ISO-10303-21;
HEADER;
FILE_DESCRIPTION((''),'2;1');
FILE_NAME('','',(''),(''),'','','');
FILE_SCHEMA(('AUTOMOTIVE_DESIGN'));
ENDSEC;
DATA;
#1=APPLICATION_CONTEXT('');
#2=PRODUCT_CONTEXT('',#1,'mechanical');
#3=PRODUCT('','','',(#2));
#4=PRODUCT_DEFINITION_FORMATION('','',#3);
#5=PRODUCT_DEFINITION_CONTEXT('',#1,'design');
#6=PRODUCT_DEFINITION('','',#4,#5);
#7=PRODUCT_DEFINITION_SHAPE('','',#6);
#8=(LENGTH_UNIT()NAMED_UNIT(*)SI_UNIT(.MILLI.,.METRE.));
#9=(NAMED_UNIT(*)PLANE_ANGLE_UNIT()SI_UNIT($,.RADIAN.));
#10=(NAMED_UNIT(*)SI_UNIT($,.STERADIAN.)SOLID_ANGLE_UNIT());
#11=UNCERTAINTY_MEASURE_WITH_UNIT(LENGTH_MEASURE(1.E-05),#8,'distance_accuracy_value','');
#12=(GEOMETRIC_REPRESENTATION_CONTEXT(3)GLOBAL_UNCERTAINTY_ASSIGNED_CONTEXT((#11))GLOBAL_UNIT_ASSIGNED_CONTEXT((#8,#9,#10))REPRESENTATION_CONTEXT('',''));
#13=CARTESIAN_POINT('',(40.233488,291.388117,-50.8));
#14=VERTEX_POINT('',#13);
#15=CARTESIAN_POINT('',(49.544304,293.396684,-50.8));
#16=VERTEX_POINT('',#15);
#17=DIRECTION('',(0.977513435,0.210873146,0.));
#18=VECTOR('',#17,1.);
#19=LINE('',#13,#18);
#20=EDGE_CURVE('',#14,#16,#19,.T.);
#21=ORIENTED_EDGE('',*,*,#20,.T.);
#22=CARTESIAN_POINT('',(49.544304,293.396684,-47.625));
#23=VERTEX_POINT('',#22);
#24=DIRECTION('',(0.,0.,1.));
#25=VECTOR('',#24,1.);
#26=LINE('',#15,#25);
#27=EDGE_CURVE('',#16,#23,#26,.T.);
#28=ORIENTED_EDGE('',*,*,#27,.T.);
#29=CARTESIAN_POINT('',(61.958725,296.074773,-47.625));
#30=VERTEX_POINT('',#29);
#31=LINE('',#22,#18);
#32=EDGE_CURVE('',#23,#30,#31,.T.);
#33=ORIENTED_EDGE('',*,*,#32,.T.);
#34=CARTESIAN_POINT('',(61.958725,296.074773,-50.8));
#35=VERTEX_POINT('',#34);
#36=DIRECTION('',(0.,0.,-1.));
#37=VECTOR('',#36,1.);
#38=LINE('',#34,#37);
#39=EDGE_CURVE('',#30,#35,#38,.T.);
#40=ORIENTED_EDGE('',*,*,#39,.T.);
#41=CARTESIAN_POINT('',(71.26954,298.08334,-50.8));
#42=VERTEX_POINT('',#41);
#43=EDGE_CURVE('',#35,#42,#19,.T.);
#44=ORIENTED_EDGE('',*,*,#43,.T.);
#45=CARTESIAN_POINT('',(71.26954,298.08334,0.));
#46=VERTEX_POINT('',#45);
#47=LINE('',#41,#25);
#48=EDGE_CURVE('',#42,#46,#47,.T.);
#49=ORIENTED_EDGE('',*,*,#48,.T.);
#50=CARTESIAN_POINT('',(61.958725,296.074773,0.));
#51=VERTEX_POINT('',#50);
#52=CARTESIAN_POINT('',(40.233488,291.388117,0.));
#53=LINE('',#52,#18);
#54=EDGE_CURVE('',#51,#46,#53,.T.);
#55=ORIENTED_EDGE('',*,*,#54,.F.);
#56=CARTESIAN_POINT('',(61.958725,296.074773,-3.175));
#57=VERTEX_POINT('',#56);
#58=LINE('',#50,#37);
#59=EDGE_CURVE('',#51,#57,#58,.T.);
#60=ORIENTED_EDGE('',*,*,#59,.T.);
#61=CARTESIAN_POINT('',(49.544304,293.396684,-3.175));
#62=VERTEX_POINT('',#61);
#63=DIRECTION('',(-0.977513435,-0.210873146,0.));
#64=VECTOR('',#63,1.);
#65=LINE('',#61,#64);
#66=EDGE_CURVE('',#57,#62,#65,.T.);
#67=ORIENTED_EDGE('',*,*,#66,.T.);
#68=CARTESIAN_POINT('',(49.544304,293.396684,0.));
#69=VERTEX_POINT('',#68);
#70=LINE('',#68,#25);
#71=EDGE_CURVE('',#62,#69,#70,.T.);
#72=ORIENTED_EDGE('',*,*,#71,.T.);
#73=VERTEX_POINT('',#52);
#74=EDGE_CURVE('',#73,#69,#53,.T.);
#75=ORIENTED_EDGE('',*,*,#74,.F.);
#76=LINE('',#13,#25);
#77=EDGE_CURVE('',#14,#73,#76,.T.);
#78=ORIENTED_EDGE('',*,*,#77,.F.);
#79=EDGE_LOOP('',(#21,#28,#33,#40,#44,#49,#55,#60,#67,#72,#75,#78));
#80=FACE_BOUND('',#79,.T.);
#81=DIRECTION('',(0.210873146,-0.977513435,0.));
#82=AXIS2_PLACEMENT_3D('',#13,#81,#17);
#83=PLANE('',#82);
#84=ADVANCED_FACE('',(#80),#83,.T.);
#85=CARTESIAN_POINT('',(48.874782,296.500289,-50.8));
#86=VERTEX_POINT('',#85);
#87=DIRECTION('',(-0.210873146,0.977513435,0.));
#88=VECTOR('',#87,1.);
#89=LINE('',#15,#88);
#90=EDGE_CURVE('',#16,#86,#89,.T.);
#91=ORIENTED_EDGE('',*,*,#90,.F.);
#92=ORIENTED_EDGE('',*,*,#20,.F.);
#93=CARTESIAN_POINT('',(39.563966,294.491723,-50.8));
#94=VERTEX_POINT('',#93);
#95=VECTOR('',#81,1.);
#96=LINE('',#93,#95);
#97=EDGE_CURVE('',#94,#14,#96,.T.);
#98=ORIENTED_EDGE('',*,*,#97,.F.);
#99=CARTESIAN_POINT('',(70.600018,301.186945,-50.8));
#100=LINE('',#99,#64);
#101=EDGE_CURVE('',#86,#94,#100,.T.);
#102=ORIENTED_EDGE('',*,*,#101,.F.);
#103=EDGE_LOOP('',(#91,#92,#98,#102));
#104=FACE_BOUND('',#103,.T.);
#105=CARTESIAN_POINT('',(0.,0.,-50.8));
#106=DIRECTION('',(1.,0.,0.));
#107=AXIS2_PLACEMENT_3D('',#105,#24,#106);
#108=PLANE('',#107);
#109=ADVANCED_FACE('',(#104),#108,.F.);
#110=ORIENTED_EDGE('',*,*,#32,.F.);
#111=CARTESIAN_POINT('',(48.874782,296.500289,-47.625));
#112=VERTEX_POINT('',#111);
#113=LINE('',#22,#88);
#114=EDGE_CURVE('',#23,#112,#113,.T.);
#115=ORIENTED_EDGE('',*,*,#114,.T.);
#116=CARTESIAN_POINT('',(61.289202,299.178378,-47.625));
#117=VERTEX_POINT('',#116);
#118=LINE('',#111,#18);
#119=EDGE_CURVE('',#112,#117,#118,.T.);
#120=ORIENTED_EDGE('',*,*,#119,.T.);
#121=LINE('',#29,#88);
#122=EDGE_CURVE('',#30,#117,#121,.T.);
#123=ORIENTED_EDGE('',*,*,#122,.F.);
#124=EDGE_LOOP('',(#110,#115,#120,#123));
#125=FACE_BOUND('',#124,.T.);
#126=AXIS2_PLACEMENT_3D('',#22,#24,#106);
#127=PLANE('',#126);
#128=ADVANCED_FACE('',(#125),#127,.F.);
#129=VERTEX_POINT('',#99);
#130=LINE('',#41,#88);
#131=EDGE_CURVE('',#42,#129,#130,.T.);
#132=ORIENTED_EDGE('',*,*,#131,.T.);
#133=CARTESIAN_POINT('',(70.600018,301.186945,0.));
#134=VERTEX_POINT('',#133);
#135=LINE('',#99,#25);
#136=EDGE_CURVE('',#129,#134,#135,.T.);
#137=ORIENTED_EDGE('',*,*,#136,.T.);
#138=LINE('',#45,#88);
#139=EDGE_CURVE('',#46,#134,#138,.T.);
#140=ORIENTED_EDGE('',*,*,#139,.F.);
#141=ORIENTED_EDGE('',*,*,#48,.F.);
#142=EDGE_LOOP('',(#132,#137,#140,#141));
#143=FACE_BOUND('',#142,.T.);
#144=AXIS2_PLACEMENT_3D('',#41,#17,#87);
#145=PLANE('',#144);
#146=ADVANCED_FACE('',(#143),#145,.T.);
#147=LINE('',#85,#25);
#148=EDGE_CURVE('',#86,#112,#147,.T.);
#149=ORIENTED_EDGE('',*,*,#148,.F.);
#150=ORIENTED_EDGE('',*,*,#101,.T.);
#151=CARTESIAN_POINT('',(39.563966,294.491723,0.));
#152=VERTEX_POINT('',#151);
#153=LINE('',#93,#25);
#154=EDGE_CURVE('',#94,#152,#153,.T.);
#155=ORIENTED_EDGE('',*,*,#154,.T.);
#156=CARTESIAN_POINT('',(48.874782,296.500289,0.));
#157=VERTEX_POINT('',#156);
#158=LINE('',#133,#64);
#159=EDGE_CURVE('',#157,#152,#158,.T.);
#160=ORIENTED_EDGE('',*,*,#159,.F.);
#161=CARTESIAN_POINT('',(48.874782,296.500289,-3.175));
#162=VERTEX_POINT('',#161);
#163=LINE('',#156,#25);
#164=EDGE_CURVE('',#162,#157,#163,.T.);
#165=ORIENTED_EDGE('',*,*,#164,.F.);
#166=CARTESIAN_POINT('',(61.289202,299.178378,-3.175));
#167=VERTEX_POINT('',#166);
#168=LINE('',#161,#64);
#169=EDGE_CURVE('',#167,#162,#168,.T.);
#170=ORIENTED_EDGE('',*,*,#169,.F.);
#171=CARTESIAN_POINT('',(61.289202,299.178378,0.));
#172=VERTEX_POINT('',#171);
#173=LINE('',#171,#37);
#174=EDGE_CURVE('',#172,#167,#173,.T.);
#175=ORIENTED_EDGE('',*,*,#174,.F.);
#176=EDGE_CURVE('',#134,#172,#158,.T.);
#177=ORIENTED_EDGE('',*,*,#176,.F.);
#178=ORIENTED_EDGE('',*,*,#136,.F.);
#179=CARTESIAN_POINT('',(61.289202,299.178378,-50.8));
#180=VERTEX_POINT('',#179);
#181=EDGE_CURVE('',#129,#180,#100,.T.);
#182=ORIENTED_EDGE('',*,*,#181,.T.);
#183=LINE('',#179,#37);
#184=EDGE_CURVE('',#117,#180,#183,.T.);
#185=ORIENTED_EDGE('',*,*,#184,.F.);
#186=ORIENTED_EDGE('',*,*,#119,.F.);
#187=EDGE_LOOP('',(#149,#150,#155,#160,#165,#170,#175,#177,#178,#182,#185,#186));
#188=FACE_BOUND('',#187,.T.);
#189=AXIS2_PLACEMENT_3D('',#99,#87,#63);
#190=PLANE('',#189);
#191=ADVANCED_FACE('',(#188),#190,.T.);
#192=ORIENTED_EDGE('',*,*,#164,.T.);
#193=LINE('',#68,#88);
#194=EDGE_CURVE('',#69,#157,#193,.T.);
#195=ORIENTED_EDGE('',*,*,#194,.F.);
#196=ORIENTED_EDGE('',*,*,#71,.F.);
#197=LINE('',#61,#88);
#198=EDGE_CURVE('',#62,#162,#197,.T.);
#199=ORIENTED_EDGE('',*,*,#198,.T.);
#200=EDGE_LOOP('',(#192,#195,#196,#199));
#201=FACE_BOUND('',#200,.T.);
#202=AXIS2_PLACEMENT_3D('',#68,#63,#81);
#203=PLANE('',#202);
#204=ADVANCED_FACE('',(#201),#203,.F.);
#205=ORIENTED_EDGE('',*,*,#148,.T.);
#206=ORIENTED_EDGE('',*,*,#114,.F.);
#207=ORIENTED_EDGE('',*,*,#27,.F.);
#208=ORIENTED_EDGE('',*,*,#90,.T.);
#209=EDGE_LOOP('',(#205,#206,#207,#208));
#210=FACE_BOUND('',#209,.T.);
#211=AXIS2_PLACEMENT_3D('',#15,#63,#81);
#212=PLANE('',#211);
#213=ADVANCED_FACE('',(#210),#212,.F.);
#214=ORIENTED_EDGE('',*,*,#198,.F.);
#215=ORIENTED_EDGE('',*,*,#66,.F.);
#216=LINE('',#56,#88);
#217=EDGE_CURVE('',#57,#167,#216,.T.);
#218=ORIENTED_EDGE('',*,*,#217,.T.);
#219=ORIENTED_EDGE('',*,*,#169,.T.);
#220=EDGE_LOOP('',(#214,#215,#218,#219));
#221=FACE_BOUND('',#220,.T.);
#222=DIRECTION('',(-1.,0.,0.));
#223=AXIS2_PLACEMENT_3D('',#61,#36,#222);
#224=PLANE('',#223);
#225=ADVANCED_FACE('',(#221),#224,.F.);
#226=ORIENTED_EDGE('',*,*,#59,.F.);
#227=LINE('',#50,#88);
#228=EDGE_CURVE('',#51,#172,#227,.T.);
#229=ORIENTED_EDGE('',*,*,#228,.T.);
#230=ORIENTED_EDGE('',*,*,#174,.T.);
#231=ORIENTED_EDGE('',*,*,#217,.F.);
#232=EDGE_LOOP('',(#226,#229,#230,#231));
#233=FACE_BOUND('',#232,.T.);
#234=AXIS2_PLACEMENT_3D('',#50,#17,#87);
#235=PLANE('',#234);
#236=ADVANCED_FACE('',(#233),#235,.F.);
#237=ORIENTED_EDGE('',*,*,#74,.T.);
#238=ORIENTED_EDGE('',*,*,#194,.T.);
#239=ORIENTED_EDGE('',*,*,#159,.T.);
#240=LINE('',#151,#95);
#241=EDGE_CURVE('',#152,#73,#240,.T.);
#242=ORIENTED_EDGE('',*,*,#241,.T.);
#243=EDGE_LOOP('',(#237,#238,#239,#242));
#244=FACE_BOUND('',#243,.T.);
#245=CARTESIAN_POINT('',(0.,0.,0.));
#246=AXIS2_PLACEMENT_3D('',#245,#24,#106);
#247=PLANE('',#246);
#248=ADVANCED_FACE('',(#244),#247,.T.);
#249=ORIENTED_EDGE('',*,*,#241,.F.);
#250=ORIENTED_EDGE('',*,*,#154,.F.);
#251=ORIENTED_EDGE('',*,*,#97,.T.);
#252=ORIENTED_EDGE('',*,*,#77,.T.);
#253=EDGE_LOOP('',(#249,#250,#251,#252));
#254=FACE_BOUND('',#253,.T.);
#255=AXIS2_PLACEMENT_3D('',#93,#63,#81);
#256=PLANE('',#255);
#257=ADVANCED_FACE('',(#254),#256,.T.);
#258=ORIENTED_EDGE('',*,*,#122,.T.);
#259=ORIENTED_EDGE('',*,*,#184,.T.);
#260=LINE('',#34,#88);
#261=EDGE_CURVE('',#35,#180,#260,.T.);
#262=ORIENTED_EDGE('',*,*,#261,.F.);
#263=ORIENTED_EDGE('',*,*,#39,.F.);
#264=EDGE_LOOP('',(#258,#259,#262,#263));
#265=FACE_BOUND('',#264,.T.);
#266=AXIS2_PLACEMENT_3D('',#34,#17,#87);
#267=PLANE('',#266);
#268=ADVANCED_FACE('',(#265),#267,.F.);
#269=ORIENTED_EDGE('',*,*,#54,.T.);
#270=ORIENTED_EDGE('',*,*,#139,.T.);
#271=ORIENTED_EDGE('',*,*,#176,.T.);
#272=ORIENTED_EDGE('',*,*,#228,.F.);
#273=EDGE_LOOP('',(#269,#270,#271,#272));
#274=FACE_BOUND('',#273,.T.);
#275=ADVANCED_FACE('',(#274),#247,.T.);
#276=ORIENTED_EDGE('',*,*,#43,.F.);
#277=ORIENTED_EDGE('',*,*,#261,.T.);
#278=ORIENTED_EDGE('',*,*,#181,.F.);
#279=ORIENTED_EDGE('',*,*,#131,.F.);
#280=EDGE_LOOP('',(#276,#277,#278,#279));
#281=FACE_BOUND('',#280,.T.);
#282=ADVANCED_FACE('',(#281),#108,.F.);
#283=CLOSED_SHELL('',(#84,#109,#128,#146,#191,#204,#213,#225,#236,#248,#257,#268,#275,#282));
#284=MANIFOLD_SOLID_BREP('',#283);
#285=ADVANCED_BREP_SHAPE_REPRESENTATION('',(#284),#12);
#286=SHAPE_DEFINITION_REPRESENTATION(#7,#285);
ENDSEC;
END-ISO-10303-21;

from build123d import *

# Parameters (mm, degrees)
BOSS_EXTRUDE1_DEPTH = 50.8
SKETCH2_W           = 12.7
SKETCH2_H           = 3.175
CUT_EXTRUDE1_DEPTH  = 3.175


with BuildPart() as part:
    # Sketch1 → Boss-Extrude1 (new body)
    with BuildSketch(Plane.XY):
        Polygon((39.563966172, 294.491722579), (40.233488411, 291.388117421), (71.269539981, 298.083339818), (70.600017742, 301.186944975), align=None)
    extrude(amount=-BOSS_EXTRUDE1_DEPTH)

    # Sketch2 → Cut-Extrude1 (cut)
    with BuildSketch(Plane(origin=(-58.944661512, 273.241043546, 0), x_dir=(0.977513435, 0.210873146, 0), z_dir=(-0.210873146, 0.977513435, 0))):
        with Locations((116.649704601, 49.2125)):
            Rectangle(SKETCH2_W, SKETCH2_H)
        with Locations((116.649704601, 1.5875)):
            Rectangle(SKETCH2_W, SKETCH2_H)
    extrude(amount=-CUT_EXTRUDE1_DEPTH, mode=Mode.SUBTRACT)


solid = part.part
